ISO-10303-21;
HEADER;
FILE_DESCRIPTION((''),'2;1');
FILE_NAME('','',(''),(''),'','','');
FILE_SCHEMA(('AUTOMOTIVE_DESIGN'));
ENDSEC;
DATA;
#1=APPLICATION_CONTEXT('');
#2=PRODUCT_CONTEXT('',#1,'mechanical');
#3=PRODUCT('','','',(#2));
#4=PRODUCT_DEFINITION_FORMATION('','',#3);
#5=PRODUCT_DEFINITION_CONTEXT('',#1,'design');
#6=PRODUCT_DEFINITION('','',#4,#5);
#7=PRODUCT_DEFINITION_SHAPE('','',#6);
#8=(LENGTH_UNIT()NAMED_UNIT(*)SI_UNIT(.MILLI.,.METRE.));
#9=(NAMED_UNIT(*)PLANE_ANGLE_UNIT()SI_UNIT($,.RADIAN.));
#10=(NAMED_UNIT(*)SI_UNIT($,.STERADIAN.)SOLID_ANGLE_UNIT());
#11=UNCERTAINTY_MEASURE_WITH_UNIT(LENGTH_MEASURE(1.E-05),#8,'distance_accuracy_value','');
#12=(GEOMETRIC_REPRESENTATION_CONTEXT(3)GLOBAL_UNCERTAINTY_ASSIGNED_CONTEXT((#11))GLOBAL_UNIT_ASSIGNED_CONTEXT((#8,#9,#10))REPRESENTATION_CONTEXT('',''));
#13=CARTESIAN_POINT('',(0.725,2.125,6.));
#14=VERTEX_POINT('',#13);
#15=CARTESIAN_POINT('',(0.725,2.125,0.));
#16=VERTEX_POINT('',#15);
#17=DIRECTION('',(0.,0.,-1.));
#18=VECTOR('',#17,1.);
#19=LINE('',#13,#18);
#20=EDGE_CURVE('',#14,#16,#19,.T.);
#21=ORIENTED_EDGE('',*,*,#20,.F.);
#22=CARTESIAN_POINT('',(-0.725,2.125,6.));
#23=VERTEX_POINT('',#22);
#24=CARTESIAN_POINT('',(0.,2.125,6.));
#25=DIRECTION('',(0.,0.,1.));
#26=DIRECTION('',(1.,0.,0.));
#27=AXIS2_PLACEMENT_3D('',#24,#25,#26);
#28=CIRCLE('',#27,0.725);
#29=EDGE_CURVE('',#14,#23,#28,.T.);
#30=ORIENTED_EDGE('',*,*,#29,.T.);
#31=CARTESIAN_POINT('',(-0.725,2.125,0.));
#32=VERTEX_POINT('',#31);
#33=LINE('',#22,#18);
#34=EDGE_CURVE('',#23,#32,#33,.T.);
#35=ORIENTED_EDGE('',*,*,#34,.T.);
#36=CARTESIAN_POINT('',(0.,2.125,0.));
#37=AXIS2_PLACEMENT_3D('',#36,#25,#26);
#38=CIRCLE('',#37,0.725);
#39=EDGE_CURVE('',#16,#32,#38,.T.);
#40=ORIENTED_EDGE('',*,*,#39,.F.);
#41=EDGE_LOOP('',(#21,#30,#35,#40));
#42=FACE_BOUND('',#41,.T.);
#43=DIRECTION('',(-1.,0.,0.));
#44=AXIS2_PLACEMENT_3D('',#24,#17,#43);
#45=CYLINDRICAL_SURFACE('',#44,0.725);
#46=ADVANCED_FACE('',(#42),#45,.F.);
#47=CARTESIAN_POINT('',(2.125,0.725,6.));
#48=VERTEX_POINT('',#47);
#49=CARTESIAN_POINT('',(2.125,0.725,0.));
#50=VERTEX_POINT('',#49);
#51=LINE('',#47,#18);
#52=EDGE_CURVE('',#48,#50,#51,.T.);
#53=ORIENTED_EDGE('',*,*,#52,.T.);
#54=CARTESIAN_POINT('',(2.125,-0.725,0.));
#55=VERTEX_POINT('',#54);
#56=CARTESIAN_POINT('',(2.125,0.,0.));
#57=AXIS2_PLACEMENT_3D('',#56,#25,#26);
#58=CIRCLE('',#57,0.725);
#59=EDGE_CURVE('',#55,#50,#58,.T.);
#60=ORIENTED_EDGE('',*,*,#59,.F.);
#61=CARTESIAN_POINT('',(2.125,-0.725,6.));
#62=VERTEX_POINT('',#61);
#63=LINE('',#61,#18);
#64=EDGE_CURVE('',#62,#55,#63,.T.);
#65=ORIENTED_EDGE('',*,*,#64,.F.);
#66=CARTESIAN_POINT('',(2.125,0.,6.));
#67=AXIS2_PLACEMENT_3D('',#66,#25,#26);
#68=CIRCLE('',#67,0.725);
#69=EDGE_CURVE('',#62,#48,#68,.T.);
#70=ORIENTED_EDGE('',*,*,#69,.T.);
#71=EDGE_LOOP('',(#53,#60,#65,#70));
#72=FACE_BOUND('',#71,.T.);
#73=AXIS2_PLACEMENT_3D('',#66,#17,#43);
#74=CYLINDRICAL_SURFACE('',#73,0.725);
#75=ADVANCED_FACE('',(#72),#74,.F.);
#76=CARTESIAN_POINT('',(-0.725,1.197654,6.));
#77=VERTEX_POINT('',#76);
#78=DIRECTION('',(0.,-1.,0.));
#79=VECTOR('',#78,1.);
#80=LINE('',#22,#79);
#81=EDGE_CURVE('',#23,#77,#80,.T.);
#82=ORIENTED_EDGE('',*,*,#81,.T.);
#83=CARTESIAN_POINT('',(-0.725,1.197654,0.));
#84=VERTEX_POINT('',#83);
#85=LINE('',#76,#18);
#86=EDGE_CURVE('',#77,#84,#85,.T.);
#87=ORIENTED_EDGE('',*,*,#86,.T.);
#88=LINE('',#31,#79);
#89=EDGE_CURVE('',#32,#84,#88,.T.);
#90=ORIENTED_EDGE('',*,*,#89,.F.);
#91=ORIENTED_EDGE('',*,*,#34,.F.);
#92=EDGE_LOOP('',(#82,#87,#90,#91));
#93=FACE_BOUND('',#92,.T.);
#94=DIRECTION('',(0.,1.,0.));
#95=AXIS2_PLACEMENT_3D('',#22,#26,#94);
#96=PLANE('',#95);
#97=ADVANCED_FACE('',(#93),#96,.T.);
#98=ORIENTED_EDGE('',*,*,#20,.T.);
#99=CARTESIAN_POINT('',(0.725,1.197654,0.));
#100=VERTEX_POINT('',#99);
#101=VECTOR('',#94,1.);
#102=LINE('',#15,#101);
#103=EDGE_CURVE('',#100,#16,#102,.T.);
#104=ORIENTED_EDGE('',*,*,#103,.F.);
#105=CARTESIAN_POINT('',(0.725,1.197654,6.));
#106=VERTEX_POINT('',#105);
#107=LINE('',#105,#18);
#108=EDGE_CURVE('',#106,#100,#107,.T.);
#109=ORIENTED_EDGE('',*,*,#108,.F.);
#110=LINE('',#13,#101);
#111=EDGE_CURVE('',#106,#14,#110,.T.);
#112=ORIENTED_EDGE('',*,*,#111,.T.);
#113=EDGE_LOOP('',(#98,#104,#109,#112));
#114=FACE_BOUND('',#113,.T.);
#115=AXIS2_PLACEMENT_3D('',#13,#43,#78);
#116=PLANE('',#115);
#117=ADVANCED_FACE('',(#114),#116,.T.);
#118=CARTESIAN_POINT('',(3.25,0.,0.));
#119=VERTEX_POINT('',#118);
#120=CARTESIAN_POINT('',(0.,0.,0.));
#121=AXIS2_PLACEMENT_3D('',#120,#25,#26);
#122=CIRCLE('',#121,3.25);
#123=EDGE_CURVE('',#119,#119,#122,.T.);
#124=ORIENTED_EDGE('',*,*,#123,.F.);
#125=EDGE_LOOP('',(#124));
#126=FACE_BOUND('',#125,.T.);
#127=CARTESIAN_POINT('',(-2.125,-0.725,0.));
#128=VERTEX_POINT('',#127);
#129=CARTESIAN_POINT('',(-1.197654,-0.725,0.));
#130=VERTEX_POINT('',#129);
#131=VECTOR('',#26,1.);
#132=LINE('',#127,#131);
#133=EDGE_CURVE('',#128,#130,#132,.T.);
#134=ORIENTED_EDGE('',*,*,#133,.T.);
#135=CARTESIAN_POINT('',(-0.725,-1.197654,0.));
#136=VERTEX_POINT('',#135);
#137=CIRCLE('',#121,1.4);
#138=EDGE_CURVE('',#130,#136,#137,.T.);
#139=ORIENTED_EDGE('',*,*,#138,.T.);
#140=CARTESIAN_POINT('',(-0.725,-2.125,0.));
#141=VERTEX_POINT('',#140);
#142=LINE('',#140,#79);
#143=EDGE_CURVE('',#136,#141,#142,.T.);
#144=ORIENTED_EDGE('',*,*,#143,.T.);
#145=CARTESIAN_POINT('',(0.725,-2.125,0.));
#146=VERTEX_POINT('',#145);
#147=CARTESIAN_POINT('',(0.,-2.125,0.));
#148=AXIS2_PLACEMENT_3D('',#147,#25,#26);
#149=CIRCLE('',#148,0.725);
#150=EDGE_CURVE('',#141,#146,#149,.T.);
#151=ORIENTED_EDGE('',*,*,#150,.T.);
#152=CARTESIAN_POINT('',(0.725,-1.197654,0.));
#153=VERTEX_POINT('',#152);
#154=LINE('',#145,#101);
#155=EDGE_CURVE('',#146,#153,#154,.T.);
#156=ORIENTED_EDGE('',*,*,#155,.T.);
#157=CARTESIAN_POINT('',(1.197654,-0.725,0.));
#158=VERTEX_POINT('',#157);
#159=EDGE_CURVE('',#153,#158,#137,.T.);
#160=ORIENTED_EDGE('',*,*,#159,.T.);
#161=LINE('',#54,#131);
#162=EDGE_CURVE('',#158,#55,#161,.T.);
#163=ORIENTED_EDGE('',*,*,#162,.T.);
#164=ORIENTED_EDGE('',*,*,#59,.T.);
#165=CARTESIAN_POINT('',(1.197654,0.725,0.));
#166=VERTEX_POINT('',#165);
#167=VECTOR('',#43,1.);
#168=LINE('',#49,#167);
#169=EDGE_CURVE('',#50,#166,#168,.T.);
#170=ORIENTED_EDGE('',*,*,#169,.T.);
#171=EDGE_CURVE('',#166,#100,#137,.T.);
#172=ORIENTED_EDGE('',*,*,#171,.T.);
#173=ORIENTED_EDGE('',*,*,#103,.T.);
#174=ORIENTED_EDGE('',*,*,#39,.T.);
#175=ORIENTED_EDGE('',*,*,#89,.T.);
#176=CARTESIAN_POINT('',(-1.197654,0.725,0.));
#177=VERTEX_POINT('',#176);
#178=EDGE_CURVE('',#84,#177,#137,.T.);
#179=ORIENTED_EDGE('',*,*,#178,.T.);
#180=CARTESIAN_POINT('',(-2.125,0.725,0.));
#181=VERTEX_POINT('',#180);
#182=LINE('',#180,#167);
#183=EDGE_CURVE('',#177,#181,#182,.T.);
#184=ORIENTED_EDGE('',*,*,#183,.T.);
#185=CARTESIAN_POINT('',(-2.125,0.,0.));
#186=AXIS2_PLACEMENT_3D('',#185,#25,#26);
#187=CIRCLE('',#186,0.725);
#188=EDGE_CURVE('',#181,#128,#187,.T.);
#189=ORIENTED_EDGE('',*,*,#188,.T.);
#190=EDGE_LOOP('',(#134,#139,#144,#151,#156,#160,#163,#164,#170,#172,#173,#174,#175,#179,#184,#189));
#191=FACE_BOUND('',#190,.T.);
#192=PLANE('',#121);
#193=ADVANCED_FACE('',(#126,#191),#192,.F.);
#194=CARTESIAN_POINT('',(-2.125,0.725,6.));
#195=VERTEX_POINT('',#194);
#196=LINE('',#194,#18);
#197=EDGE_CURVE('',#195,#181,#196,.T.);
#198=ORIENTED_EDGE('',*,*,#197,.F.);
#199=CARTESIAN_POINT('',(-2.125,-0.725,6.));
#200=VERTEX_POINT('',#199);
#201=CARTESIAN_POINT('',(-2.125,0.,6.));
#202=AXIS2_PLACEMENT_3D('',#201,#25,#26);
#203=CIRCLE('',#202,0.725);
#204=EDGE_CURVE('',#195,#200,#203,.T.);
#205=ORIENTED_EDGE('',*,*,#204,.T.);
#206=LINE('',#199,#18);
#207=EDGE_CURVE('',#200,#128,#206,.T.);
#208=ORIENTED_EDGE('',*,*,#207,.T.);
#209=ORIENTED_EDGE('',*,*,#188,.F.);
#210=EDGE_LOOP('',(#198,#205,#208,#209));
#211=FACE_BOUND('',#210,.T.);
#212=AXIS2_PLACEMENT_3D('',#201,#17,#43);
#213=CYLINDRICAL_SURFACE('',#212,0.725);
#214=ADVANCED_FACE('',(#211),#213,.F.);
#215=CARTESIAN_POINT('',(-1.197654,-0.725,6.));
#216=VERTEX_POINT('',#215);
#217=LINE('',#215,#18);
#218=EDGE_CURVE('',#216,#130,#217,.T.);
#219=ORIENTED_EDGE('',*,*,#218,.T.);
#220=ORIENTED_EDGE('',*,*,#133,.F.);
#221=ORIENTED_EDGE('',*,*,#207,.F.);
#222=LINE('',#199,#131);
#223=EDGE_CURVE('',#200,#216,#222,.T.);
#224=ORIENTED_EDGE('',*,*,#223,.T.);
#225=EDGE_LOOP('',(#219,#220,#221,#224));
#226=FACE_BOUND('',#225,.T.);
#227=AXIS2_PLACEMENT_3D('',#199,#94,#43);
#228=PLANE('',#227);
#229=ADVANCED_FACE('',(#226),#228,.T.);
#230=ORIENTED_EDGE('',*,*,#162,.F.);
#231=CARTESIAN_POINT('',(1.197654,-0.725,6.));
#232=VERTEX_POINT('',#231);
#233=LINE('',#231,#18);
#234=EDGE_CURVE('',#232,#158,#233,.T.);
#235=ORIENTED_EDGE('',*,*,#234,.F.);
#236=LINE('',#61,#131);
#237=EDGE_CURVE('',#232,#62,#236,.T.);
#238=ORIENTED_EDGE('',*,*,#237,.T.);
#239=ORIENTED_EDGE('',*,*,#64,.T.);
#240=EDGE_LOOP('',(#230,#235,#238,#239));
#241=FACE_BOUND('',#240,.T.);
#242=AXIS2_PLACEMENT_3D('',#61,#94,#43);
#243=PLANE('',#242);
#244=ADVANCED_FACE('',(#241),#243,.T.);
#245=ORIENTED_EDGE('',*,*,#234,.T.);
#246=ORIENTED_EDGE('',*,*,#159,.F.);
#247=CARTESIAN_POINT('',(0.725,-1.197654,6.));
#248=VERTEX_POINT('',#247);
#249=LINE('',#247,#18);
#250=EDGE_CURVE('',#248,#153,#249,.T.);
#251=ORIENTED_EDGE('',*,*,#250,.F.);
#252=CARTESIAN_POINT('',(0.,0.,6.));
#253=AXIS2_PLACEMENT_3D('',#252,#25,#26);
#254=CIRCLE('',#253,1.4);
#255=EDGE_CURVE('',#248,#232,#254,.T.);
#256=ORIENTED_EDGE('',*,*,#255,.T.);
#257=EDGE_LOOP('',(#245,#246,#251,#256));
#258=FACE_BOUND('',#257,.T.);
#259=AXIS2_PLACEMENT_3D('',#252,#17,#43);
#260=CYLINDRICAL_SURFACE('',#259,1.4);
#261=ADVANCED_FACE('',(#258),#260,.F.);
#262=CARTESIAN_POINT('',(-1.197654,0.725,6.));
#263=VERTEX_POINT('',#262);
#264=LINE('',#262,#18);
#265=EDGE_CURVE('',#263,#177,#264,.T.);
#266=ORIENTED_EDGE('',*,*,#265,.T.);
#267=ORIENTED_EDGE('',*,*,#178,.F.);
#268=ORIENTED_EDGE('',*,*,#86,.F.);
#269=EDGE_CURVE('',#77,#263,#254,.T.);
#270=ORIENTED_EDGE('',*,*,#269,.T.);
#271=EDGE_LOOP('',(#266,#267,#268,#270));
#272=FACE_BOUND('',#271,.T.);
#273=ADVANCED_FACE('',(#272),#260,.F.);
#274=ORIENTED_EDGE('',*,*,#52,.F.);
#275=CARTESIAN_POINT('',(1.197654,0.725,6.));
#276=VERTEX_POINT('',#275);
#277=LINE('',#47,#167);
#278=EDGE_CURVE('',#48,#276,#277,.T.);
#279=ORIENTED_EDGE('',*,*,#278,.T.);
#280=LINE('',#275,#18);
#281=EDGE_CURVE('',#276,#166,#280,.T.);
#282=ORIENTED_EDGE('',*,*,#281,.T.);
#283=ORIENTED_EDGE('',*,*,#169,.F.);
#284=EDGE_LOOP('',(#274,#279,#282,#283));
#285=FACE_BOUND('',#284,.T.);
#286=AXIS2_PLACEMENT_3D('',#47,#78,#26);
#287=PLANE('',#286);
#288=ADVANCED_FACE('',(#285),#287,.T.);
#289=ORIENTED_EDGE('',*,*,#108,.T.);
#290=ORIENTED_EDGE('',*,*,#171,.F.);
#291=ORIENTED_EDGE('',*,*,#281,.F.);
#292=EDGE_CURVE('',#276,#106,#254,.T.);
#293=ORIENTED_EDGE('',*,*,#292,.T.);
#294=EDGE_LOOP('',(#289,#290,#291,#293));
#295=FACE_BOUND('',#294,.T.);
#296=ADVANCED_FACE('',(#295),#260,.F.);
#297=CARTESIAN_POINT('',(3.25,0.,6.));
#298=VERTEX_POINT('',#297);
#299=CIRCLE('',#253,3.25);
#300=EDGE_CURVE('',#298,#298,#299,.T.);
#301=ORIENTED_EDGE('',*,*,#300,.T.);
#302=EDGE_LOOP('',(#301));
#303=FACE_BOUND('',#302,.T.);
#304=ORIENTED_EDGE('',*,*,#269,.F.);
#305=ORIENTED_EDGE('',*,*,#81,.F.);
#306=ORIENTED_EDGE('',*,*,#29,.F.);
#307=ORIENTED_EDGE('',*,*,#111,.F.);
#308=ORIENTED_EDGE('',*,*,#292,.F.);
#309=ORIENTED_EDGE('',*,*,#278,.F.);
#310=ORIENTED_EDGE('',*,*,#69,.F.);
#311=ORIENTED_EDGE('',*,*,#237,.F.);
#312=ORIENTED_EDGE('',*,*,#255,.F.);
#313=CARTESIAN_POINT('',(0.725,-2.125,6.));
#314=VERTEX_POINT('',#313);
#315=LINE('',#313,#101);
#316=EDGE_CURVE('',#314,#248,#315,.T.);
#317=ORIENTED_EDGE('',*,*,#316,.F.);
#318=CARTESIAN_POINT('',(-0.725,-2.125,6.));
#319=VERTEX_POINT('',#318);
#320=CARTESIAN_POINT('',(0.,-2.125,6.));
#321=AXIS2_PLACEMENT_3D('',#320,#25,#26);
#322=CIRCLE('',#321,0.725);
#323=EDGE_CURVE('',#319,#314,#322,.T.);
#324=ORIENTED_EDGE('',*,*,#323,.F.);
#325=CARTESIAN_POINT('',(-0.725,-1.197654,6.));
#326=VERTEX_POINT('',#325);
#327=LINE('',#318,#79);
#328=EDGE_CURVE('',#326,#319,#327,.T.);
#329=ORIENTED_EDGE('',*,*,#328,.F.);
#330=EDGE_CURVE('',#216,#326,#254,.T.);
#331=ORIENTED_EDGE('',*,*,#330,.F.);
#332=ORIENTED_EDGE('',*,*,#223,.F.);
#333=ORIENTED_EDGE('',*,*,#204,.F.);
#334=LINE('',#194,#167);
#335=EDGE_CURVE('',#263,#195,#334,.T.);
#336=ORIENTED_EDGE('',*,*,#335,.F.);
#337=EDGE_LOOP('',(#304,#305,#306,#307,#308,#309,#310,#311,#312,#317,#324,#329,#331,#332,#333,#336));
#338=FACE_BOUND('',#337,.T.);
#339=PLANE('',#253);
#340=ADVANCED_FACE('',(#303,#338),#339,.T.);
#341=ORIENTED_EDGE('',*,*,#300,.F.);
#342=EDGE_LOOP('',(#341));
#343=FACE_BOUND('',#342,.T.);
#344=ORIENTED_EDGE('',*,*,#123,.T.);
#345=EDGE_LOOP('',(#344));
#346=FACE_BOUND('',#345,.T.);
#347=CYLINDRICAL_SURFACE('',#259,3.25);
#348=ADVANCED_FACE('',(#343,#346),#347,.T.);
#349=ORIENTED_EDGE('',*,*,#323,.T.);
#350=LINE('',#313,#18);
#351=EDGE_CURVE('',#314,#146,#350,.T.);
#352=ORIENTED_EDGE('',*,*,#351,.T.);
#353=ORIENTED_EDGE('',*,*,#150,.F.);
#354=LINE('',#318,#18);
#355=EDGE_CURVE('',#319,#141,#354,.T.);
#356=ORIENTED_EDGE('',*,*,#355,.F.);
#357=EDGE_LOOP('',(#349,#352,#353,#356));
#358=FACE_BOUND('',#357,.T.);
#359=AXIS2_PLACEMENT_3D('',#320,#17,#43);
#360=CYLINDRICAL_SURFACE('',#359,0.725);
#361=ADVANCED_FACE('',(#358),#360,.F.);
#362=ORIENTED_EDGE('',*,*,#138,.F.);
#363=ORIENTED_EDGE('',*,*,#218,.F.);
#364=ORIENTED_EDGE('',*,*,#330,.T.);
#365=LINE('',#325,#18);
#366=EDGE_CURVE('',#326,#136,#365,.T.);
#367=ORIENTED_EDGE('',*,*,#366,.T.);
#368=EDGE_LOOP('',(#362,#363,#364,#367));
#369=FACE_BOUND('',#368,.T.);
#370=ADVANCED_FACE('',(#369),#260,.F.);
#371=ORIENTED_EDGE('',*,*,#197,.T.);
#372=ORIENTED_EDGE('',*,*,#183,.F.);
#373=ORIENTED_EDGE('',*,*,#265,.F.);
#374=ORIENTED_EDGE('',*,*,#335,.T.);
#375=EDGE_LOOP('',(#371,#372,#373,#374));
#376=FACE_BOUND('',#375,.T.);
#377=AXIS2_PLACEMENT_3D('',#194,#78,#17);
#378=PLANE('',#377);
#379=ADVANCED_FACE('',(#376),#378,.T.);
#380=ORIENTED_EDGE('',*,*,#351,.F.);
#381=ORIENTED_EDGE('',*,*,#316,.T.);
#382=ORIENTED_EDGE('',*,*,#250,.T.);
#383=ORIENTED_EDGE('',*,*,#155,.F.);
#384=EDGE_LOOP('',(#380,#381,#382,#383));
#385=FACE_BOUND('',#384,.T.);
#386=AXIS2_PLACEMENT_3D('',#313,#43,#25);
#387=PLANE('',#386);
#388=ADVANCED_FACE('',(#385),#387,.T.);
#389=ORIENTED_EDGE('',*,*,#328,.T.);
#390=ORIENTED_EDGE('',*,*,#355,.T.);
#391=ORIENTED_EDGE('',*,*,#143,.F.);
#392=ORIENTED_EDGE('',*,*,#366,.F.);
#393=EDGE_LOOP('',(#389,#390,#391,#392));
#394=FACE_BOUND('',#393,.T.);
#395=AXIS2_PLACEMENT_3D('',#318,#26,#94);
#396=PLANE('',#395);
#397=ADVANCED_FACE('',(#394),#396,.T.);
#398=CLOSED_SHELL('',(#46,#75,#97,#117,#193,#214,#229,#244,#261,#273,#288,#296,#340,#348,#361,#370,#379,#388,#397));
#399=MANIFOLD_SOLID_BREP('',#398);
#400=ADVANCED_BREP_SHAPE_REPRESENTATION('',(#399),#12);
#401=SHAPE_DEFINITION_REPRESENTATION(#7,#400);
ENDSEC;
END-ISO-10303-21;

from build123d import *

# Parameters (mm, degrees)
ESQUISSE1_R        = 3.25
BOSS_EXTRU_1_DEPTH = 6


with BuildPart() as part:
    # Esquisse1 → Boss.-Extru.1 (new body)
    with BuildSketch(Plane.XY):
        Circle(ESQUISSE1_R)
        with BuildLine():
            Line((2.125, -0.725), (1.197653957, -0.725))
            ThreePointArc((1.197653957, -0.725), (0.989949494, -0.989949494), (0.725, -1.197653957))
            Line((0.725, -1.197653957), (0.725, -2.125))
            ThreePointArc((0.725, -2.125), (0, -2.85), (-0.725, -2.125))
            Line((-0.725, -2.125), (-0.725, -1.197653957))
            ThreePointArc((-0.725, -1.197653957), (-0.989949494, -0.989949494), (-1.197653957, -0.725))
            Line((-1.197653957, -0.725), (-2.125, -0.725))
            ThreePointArc((-2.125, -0.725), (-2.85, 0), (-2.125, 0.725))
            Line((-2.125, 0.725), (-1.197653957, 0.725))
            ThreePointArc((-1.197653957, 0.725), (-0.989949494, 0.989949494), (-0.725, 1.197653957))
            Line((-0.725, 1.197653957), (-0.725, 2.125))
            ThreePointArc((-0.725, 2.125), (0, 2.85), (0.725, 2.125))
            Line((0.725, 2.125), (0.725, 1.197653957))
            ThreePointArc((0.725, 1.197653957), (0.989949494, 0.989949494), (1.197653957, 0.725))
            Line((1.197653957, 0.725), (2.125, 0.725))
            ThreePointArc((2.125, 0.725), (2.85, 0), (2.125, -0.725))
        make_face(mode=Mode.SUBTRACT)
    extrude(amount=BOSS_EXTRU_1_DEPTH)


solid = part.part
